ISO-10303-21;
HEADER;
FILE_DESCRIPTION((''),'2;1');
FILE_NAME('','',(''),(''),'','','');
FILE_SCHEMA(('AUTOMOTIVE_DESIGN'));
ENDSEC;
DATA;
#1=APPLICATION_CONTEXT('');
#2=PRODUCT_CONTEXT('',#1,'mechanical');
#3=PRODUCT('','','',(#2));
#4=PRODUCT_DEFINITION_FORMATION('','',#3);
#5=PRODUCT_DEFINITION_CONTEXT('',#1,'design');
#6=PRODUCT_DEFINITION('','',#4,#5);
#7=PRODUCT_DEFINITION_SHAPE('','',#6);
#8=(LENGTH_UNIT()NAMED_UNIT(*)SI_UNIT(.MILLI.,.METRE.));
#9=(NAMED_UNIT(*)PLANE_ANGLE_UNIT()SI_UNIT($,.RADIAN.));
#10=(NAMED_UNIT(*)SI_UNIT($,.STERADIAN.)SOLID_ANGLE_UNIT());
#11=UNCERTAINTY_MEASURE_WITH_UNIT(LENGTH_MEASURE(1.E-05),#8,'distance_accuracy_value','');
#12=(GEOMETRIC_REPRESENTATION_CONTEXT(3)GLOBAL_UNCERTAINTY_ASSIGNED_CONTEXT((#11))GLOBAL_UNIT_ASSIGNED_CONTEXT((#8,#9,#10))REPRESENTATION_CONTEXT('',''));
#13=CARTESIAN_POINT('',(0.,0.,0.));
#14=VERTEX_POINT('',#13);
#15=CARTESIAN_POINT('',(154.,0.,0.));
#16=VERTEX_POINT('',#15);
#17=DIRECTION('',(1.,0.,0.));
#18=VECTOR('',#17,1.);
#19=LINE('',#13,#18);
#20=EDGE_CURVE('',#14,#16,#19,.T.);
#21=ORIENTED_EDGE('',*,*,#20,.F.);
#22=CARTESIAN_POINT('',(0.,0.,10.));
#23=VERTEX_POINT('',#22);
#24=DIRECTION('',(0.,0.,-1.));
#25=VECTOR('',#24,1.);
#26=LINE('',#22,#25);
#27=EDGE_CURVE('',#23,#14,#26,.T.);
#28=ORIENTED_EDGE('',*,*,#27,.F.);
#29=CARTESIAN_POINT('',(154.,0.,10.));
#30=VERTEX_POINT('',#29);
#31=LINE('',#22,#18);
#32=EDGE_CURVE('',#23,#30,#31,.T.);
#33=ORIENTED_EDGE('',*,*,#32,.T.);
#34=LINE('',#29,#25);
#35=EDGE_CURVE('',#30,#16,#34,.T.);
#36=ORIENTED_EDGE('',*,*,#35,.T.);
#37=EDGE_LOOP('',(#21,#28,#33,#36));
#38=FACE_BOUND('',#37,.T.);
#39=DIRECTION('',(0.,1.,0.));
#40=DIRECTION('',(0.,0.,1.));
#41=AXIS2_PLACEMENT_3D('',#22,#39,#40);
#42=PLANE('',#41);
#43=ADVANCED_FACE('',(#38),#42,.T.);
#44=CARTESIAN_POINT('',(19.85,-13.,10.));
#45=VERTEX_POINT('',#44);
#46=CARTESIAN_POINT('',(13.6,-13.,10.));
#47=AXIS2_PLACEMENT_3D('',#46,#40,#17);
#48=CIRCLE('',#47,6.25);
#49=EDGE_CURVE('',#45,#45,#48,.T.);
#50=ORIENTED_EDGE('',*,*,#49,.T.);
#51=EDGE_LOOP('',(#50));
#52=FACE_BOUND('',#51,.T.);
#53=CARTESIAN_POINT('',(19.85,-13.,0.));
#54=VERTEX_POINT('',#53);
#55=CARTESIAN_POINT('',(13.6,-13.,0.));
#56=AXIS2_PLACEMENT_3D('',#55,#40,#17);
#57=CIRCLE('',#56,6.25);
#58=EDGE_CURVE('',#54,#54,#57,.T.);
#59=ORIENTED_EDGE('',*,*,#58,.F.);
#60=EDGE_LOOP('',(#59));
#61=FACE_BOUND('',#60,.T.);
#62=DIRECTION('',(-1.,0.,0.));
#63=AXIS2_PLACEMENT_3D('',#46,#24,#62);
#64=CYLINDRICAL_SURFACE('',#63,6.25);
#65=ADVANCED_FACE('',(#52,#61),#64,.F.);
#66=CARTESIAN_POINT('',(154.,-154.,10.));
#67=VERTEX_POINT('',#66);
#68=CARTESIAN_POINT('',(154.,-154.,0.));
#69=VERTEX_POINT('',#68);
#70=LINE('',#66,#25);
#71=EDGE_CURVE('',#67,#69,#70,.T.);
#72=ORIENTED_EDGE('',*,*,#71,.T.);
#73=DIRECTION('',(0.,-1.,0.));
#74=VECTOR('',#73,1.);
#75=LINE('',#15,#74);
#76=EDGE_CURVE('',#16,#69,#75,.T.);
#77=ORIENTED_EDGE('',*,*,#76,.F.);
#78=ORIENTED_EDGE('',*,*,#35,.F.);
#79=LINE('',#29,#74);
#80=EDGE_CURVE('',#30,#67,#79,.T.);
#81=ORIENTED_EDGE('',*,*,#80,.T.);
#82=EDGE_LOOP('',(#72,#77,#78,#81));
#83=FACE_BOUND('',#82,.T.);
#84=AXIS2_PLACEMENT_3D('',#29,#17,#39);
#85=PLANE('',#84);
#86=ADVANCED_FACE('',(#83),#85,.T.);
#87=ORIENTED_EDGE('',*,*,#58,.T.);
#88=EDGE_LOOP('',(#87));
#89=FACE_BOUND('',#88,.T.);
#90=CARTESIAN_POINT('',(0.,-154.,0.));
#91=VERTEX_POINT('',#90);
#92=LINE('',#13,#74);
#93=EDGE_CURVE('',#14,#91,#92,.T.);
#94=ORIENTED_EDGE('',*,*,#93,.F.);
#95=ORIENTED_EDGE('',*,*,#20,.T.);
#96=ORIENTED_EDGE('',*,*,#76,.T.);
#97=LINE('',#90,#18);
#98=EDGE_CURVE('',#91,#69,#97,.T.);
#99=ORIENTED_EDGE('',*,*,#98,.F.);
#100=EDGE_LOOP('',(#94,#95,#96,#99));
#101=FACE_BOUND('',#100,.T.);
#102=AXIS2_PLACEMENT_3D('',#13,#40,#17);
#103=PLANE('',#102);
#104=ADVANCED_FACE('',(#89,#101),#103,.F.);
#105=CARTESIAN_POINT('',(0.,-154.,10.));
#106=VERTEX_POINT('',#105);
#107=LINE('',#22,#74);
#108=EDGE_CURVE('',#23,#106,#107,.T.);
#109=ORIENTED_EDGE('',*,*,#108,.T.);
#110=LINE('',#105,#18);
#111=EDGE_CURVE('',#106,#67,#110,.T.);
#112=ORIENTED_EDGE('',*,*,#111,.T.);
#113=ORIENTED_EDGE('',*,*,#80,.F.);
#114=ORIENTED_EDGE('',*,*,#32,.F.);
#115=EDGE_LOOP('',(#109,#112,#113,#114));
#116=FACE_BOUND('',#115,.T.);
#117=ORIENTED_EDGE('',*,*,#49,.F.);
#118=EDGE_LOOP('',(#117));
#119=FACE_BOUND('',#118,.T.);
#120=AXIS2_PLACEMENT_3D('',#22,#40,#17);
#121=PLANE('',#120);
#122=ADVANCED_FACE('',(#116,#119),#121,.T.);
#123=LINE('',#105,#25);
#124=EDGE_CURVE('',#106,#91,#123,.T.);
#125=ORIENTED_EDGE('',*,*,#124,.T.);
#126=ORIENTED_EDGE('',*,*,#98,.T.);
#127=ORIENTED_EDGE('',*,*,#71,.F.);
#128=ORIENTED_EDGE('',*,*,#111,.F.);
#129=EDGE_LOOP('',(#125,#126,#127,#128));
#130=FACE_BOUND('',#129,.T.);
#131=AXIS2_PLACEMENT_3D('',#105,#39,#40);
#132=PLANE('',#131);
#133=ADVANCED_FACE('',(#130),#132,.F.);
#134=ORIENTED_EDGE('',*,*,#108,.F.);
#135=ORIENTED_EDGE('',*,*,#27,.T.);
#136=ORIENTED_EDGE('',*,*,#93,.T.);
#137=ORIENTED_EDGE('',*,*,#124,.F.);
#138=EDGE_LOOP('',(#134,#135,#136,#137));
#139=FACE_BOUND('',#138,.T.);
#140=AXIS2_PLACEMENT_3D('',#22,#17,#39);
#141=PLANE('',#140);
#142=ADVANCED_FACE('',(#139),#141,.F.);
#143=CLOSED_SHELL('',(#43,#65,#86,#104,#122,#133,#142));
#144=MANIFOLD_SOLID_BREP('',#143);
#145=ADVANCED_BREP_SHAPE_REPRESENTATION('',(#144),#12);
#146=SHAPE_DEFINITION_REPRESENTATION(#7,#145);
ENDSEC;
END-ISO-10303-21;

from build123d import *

# Parameters (mm, degrees)
SKETCH1_W           = 154
SKETCH1_H           = 154
SKETCH1_R           = 6.25
BOSS_EXTRUDE1_DEPTH = 10


with BuildPart() as part:
    # Sketch1 → Boss-Extrude1 (new body)
    with BuildSketch(Plane.XY):
        with Locations((77, -77)):
            Rectangle(SKETCH1_W, SKETCH1_H)
        with Locations((13.6, -13)):
            Circle(SKETCH1_R, mode=Mode.SUBTRACT)
    extrude(amount=BOSS_EXTRUDE1_DEPTH)


solid = part.part
